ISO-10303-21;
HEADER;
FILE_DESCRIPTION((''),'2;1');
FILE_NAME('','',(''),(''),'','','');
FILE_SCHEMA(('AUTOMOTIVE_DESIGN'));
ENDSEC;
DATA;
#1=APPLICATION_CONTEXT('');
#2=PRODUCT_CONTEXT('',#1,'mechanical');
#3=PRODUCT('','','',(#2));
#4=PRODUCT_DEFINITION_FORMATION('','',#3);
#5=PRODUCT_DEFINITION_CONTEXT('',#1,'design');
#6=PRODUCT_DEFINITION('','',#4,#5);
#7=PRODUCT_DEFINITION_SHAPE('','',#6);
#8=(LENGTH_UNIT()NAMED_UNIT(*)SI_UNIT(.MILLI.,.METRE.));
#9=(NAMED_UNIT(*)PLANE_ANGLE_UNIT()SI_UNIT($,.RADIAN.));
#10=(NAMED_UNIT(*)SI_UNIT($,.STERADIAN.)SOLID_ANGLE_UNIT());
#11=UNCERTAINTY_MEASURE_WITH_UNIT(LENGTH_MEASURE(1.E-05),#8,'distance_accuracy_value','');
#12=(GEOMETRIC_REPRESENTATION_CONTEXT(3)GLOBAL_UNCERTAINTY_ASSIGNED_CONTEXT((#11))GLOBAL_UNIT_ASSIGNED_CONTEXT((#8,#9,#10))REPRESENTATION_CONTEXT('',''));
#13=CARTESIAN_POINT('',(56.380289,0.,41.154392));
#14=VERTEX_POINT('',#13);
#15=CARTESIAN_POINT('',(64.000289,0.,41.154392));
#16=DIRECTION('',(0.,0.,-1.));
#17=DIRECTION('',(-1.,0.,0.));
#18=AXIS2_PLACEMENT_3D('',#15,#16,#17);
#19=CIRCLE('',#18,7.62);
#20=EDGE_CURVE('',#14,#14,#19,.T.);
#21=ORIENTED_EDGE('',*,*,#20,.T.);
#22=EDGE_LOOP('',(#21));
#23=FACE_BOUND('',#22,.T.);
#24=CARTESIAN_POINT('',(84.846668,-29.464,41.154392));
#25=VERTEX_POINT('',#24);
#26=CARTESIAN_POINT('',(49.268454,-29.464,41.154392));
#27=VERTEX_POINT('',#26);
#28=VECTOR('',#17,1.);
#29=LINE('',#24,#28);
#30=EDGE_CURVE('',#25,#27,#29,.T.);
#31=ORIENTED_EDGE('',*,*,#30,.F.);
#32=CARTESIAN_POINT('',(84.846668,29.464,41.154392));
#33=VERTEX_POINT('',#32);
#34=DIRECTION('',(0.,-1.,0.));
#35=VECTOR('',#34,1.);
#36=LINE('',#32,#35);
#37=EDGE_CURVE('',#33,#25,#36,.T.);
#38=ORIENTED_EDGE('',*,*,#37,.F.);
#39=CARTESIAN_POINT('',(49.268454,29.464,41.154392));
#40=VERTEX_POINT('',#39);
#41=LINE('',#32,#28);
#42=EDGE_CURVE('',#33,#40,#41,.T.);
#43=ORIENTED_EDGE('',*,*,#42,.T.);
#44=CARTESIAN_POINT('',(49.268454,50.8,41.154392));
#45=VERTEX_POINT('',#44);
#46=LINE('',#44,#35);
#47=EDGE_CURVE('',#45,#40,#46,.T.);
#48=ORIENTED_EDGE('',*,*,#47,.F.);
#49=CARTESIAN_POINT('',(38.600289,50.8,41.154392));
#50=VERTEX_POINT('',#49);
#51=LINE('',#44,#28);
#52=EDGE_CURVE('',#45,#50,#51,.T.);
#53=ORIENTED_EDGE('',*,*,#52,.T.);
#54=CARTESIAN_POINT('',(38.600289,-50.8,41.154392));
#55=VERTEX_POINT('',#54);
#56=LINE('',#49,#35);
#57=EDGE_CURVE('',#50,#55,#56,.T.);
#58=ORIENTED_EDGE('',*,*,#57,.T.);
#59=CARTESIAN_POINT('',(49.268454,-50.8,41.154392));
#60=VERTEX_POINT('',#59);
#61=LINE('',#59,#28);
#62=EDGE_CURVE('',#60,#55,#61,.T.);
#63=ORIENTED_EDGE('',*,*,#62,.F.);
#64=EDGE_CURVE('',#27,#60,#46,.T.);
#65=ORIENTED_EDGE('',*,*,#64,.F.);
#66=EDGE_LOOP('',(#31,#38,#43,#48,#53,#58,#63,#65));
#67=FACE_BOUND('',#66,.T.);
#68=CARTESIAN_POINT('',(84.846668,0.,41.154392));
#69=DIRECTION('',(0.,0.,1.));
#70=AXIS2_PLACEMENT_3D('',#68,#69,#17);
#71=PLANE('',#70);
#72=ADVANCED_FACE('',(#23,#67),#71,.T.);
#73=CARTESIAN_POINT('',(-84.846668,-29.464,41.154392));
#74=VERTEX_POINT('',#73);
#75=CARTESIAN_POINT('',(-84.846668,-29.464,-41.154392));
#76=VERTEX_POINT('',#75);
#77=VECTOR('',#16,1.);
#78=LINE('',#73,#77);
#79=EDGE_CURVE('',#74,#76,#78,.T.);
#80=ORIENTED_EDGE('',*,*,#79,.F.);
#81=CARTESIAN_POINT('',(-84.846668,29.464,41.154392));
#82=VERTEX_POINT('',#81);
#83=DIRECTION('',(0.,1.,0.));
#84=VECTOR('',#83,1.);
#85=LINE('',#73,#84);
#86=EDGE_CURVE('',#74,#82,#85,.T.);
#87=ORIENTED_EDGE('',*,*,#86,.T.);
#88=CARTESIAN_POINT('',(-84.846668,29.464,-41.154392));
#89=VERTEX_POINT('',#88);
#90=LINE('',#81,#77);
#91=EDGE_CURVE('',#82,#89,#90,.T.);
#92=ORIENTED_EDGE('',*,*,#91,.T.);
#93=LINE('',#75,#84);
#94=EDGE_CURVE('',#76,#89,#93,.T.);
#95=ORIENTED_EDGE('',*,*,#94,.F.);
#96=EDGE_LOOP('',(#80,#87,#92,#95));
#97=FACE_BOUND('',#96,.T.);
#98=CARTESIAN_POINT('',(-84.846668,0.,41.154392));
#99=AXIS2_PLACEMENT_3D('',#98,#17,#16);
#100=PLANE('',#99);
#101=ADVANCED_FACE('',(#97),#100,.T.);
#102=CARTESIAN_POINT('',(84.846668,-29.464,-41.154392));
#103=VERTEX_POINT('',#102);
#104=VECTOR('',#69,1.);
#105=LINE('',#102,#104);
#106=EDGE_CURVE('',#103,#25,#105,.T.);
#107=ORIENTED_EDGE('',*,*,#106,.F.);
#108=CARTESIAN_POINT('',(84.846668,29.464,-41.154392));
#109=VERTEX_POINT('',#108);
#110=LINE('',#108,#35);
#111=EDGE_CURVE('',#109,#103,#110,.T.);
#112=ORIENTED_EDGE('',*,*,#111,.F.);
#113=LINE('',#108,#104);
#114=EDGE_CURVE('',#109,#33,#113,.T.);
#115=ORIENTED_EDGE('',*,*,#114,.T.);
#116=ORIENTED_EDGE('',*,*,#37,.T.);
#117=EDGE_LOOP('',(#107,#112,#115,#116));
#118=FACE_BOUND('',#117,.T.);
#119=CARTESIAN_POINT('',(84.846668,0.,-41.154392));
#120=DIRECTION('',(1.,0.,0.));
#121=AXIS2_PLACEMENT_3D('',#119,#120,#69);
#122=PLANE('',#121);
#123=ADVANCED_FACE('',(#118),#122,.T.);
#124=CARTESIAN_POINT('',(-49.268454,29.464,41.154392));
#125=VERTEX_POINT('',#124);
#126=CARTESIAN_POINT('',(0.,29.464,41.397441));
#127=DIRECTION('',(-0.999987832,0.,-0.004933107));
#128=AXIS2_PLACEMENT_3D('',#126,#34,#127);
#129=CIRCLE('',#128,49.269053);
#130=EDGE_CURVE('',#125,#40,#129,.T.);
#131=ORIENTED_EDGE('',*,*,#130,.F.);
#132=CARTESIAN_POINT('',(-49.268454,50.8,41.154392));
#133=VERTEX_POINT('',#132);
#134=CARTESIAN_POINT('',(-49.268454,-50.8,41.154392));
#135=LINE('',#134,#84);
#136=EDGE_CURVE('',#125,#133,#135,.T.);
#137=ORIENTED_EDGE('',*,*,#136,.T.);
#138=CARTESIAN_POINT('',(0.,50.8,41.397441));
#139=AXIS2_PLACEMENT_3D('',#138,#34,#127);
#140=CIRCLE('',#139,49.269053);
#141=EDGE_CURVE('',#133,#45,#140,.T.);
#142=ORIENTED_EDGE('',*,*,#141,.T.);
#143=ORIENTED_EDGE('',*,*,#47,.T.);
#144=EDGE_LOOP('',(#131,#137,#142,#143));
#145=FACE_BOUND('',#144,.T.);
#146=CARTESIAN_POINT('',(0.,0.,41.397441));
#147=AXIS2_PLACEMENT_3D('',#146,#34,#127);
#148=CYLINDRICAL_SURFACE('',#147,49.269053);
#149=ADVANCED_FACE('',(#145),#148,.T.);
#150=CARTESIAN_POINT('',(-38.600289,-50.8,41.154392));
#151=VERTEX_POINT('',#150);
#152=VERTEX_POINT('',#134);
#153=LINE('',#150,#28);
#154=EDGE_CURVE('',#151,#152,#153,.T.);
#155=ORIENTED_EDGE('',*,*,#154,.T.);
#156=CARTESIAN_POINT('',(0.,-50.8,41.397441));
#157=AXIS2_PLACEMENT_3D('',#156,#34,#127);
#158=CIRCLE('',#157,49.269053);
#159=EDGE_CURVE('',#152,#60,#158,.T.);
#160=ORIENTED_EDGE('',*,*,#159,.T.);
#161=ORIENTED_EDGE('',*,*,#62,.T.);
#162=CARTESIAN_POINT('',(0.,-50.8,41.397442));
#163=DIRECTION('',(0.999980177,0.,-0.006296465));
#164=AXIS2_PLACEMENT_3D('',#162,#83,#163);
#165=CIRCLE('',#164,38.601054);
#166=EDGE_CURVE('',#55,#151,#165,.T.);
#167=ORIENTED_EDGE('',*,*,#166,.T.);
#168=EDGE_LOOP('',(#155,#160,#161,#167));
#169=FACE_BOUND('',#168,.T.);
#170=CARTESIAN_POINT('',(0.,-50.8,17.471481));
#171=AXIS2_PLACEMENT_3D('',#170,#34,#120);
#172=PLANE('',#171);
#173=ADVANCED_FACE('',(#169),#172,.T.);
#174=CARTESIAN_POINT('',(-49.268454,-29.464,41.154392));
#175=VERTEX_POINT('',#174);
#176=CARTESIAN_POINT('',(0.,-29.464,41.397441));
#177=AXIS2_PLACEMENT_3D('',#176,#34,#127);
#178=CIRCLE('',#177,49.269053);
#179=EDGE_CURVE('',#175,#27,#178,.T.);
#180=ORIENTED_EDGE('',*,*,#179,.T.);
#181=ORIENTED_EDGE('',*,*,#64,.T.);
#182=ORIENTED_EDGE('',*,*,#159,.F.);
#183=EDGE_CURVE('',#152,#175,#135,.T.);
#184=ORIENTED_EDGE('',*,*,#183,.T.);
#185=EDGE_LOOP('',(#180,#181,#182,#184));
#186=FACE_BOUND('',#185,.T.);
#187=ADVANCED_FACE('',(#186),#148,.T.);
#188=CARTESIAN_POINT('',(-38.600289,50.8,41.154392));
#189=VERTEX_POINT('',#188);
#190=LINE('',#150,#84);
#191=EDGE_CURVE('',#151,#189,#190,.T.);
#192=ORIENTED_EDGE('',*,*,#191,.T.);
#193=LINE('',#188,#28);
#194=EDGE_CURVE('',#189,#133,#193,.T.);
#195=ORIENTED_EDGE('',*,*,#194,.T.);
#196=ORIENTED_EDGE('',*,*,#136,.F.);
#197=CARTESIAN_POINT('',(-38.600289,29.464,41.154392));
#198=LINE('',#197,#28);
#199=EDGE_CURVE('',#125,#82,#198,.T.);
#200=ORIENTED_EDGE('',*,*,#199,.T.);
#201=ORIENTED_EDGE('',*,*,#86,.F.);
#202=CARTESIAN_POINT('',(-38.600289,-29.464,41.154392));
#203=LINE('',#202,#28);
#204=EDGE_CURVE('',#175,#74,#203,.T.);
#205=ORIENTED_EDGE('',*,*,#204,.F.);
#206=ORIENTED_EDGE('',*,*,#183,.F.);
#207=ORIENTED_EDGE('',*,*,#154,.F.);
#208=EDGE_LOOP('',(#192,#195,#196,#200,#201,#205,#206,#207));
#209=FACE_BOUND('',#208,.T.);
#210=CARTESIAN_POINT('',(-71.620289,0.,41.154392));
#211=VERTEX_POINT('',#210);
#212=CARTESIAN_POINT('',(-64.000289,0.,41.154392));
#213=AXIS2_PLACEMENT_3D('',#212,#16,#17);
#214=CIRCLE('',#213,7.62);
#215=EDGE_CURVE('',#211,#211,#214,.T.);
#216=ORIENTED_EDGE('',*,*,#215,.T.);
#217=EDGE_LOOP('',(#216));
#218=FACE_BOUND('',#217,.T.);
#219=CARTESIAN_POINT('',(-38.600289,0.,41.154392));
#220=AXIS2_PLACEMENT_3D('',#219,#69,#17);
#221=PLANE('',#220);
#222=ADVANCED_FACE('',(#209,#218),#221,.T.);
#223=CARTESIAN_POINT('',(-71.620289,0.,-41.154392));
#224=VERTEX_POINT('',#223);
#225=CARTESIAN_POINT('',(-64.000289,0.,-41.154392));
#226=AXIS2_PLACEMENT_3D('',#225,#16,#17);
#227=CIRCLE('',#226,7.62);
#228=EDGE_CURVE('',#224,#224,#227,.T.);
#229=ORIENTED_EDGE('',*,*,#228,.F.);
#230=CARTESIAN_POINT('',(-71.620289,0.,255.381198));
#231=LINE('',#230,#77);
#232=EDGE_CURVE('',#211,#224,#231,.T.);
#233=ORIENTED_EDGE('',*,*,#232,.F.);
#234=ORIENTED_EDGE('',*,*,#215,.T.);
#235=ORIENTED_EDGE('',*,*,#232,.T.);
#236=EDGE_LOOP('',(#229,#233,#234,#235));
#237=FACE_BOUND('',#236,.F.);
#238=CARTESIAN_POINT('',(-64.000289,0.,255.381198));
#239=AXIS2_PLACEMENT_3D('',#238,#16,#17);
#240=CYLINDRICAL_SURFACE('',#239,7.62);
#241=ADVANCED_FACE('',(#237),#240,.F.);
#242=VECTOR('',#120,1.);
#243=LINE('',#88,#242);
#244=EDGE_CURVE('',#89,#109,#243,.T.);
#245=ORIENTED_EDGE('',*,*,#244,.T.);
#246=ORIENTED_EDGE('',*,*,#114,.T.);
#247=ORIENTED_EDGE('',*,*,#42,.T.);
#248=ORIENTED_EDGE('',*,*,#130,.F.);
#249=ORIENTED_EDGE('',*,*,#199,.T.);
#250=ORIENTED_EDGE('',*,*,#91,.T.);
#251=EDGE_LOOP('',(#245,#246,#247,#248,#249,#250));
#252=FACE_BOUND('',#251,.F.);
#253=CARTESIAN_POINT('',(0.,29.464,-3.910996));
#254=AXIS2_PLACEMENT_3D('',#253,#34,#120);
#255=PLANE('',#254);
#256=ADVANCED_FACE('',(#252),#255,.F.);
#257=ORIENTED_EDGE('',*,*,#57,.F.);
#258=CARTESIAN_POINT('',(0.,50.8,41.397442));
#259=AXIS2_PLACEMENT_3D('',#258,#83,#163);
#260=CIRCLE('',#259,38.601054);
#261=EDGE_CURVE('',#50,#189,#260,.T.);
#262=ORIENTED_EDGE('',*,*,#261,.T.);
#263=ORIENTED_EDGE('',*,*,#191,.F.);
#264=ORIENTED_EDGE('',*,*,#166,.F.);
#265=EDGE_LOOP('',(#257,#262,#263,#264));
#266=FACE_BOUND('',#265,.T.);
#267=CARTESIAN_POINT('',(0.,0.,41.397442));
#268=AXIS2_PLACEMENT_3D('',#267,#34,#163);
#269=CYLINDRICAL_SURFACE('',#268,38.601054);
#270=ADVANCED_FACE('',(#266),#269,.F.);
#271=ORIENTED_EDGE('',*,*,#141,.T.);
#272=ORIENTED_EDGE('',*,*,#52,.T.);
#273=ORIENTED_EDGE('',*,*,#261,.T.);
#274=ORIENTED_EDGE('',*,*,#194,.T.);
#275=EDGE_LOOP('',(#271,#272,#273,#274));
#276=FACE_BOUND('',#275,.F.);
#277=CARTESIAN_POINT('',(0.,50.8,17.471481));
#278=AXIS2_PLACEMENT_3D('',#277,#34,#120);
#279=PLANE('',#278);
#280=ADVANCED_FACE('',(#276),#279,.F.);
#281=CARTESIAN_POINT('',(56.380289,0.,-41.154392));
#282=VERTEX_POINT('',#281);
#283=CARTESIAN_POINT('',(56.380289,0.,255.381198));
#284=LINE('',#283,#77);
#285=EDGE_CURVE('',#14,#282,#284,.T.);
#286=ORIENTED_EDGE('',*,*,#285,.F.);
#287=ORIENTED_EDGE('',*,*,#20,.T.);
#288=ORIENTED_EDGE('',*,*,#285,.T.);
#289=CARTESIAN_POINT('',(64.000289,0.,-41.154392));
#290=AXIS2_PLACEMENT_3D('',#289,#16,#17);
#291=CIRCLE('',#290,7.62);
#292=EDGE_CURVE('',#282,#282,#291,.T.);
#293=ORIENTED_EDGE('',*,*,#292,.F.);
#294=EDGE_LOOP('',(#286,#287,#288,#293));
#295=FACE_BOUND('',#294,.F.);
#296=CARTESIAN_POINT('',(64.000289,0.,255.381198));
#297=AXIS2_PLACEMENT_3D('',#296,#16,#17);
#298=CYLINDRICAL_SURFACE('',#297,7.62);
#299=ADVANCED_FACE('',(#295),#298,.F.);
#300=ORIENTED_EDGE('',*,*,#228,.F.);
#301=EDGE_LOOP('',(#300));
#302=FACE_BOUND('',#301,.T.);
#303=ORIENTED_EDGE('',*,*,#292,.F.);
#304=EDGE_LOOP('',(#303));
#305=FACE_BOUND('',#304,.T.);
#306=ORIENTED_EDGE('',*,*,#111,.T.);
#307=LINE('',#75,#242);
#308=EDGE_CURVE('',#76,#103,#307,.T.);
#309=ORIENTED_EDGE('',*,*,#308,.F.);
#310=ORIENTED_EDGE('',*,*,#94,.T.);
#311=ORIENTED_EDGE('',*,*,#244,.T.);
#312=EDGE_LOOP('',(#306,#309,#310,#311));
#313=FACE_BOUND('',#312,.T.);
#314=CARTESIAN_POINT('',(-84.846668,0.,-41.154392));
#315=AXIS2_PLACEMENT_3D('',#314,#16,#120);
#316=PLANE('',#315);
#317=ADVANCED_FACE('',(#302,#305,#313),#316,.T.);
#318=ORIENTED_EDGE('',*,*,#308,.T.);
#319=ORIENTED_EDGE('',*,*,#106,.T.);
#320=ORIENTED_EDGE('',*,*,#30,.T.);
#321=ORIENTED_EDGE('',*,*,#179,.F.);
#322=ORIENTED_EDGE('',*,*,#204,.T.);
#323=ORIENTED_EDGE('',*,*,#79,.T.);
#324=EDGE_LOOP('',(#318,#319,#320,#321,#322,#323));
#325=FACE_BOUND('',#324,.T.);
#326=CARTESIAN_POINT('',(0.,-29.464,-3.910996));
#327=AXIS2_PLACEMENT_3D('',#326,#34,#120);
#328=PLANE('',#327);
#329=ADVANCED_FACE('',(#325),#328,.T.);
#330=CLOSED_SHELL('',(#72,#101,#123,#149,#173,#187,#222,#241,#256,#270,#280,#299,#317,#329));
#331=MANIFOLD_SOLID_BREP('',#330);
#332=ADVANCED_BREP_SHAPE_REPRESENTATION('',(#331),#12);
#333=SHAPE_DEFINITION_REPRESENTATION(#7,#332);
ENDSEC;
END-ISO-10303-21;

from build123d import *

# Parameters (mm, degrees)
F1_DEPTH = 50.8
F2_DEPTH = 29.464
F5_D     = 15.24
F6_D     = 15.24


with BuildPart() as f1:
    # F0 (on Front) → F1 (new body, symmetric)
    with BuildSketch(Plane.XZ):
        with BuildLine():
            ThreePointArc((-49.268454, 41.154392), (0, -7.871612), (49.268454, 41.154392))
            Line((49.268454, 41.154392), (38.600289, 41.154392))
            ThreePointArc((38.600289, 41.154392), (0, 2.796388), (-38.600289, 41.154392))
            Line((-38.600289, 41.154392), (-49.268454, 41.154392))
        make_face()
    extrude(amount=F1_DEPTH, both=True)

    # F0 (on Front) → F2 (join, symmetric)
    with BuildSketch(Plane.XZ):
        with BuildLine():
            Line((-84.846668, -41.154392), (84.846668, -41.154392))
            Line((84.846668, -41.154392), (84.846668, 41.154392))
            Line((84.846668, 41.154392), (49.268454, 41.154392))
            ThreePointArc((49.268454, 41.154392), (0, -7.871612), (-49.268454, 41.154392))
            Line((-49.268454, 41.154392), (-84.846668, 41.154392))
            Line((-84.846668, 41.154392), (-84.846668, -41.154392))
        make_face()
        with BuildLine():
            ThreePointArc((-49.268454, 41.154392), (0, -7.871612), (49.268454, 41.154392))
            Line((49.268454, 41.154392), (38.600289, 41.154392))
            ThreePointArc((38.600289, 41.154392), (0, 2.796388), (-38.600289, 41.154392))
            Line((-38.600289, 41.154392), (-49.268454, 41.154392))
        make_face()
    extrude(amount=F2_DEPTH, both=True)

    # F5 (through all)
    with Locations(Plane.XY.offset(41.154392)):
        with Locations((-64.000289, 0)):
            Hole(F5_D / 2)

    # F6 (through all)
    with Locations(Plane.XY.offset(41.154392)):
        with Locations((64.000289, 0)):
            Hole(F6_D / 2)


solid = f1.part
